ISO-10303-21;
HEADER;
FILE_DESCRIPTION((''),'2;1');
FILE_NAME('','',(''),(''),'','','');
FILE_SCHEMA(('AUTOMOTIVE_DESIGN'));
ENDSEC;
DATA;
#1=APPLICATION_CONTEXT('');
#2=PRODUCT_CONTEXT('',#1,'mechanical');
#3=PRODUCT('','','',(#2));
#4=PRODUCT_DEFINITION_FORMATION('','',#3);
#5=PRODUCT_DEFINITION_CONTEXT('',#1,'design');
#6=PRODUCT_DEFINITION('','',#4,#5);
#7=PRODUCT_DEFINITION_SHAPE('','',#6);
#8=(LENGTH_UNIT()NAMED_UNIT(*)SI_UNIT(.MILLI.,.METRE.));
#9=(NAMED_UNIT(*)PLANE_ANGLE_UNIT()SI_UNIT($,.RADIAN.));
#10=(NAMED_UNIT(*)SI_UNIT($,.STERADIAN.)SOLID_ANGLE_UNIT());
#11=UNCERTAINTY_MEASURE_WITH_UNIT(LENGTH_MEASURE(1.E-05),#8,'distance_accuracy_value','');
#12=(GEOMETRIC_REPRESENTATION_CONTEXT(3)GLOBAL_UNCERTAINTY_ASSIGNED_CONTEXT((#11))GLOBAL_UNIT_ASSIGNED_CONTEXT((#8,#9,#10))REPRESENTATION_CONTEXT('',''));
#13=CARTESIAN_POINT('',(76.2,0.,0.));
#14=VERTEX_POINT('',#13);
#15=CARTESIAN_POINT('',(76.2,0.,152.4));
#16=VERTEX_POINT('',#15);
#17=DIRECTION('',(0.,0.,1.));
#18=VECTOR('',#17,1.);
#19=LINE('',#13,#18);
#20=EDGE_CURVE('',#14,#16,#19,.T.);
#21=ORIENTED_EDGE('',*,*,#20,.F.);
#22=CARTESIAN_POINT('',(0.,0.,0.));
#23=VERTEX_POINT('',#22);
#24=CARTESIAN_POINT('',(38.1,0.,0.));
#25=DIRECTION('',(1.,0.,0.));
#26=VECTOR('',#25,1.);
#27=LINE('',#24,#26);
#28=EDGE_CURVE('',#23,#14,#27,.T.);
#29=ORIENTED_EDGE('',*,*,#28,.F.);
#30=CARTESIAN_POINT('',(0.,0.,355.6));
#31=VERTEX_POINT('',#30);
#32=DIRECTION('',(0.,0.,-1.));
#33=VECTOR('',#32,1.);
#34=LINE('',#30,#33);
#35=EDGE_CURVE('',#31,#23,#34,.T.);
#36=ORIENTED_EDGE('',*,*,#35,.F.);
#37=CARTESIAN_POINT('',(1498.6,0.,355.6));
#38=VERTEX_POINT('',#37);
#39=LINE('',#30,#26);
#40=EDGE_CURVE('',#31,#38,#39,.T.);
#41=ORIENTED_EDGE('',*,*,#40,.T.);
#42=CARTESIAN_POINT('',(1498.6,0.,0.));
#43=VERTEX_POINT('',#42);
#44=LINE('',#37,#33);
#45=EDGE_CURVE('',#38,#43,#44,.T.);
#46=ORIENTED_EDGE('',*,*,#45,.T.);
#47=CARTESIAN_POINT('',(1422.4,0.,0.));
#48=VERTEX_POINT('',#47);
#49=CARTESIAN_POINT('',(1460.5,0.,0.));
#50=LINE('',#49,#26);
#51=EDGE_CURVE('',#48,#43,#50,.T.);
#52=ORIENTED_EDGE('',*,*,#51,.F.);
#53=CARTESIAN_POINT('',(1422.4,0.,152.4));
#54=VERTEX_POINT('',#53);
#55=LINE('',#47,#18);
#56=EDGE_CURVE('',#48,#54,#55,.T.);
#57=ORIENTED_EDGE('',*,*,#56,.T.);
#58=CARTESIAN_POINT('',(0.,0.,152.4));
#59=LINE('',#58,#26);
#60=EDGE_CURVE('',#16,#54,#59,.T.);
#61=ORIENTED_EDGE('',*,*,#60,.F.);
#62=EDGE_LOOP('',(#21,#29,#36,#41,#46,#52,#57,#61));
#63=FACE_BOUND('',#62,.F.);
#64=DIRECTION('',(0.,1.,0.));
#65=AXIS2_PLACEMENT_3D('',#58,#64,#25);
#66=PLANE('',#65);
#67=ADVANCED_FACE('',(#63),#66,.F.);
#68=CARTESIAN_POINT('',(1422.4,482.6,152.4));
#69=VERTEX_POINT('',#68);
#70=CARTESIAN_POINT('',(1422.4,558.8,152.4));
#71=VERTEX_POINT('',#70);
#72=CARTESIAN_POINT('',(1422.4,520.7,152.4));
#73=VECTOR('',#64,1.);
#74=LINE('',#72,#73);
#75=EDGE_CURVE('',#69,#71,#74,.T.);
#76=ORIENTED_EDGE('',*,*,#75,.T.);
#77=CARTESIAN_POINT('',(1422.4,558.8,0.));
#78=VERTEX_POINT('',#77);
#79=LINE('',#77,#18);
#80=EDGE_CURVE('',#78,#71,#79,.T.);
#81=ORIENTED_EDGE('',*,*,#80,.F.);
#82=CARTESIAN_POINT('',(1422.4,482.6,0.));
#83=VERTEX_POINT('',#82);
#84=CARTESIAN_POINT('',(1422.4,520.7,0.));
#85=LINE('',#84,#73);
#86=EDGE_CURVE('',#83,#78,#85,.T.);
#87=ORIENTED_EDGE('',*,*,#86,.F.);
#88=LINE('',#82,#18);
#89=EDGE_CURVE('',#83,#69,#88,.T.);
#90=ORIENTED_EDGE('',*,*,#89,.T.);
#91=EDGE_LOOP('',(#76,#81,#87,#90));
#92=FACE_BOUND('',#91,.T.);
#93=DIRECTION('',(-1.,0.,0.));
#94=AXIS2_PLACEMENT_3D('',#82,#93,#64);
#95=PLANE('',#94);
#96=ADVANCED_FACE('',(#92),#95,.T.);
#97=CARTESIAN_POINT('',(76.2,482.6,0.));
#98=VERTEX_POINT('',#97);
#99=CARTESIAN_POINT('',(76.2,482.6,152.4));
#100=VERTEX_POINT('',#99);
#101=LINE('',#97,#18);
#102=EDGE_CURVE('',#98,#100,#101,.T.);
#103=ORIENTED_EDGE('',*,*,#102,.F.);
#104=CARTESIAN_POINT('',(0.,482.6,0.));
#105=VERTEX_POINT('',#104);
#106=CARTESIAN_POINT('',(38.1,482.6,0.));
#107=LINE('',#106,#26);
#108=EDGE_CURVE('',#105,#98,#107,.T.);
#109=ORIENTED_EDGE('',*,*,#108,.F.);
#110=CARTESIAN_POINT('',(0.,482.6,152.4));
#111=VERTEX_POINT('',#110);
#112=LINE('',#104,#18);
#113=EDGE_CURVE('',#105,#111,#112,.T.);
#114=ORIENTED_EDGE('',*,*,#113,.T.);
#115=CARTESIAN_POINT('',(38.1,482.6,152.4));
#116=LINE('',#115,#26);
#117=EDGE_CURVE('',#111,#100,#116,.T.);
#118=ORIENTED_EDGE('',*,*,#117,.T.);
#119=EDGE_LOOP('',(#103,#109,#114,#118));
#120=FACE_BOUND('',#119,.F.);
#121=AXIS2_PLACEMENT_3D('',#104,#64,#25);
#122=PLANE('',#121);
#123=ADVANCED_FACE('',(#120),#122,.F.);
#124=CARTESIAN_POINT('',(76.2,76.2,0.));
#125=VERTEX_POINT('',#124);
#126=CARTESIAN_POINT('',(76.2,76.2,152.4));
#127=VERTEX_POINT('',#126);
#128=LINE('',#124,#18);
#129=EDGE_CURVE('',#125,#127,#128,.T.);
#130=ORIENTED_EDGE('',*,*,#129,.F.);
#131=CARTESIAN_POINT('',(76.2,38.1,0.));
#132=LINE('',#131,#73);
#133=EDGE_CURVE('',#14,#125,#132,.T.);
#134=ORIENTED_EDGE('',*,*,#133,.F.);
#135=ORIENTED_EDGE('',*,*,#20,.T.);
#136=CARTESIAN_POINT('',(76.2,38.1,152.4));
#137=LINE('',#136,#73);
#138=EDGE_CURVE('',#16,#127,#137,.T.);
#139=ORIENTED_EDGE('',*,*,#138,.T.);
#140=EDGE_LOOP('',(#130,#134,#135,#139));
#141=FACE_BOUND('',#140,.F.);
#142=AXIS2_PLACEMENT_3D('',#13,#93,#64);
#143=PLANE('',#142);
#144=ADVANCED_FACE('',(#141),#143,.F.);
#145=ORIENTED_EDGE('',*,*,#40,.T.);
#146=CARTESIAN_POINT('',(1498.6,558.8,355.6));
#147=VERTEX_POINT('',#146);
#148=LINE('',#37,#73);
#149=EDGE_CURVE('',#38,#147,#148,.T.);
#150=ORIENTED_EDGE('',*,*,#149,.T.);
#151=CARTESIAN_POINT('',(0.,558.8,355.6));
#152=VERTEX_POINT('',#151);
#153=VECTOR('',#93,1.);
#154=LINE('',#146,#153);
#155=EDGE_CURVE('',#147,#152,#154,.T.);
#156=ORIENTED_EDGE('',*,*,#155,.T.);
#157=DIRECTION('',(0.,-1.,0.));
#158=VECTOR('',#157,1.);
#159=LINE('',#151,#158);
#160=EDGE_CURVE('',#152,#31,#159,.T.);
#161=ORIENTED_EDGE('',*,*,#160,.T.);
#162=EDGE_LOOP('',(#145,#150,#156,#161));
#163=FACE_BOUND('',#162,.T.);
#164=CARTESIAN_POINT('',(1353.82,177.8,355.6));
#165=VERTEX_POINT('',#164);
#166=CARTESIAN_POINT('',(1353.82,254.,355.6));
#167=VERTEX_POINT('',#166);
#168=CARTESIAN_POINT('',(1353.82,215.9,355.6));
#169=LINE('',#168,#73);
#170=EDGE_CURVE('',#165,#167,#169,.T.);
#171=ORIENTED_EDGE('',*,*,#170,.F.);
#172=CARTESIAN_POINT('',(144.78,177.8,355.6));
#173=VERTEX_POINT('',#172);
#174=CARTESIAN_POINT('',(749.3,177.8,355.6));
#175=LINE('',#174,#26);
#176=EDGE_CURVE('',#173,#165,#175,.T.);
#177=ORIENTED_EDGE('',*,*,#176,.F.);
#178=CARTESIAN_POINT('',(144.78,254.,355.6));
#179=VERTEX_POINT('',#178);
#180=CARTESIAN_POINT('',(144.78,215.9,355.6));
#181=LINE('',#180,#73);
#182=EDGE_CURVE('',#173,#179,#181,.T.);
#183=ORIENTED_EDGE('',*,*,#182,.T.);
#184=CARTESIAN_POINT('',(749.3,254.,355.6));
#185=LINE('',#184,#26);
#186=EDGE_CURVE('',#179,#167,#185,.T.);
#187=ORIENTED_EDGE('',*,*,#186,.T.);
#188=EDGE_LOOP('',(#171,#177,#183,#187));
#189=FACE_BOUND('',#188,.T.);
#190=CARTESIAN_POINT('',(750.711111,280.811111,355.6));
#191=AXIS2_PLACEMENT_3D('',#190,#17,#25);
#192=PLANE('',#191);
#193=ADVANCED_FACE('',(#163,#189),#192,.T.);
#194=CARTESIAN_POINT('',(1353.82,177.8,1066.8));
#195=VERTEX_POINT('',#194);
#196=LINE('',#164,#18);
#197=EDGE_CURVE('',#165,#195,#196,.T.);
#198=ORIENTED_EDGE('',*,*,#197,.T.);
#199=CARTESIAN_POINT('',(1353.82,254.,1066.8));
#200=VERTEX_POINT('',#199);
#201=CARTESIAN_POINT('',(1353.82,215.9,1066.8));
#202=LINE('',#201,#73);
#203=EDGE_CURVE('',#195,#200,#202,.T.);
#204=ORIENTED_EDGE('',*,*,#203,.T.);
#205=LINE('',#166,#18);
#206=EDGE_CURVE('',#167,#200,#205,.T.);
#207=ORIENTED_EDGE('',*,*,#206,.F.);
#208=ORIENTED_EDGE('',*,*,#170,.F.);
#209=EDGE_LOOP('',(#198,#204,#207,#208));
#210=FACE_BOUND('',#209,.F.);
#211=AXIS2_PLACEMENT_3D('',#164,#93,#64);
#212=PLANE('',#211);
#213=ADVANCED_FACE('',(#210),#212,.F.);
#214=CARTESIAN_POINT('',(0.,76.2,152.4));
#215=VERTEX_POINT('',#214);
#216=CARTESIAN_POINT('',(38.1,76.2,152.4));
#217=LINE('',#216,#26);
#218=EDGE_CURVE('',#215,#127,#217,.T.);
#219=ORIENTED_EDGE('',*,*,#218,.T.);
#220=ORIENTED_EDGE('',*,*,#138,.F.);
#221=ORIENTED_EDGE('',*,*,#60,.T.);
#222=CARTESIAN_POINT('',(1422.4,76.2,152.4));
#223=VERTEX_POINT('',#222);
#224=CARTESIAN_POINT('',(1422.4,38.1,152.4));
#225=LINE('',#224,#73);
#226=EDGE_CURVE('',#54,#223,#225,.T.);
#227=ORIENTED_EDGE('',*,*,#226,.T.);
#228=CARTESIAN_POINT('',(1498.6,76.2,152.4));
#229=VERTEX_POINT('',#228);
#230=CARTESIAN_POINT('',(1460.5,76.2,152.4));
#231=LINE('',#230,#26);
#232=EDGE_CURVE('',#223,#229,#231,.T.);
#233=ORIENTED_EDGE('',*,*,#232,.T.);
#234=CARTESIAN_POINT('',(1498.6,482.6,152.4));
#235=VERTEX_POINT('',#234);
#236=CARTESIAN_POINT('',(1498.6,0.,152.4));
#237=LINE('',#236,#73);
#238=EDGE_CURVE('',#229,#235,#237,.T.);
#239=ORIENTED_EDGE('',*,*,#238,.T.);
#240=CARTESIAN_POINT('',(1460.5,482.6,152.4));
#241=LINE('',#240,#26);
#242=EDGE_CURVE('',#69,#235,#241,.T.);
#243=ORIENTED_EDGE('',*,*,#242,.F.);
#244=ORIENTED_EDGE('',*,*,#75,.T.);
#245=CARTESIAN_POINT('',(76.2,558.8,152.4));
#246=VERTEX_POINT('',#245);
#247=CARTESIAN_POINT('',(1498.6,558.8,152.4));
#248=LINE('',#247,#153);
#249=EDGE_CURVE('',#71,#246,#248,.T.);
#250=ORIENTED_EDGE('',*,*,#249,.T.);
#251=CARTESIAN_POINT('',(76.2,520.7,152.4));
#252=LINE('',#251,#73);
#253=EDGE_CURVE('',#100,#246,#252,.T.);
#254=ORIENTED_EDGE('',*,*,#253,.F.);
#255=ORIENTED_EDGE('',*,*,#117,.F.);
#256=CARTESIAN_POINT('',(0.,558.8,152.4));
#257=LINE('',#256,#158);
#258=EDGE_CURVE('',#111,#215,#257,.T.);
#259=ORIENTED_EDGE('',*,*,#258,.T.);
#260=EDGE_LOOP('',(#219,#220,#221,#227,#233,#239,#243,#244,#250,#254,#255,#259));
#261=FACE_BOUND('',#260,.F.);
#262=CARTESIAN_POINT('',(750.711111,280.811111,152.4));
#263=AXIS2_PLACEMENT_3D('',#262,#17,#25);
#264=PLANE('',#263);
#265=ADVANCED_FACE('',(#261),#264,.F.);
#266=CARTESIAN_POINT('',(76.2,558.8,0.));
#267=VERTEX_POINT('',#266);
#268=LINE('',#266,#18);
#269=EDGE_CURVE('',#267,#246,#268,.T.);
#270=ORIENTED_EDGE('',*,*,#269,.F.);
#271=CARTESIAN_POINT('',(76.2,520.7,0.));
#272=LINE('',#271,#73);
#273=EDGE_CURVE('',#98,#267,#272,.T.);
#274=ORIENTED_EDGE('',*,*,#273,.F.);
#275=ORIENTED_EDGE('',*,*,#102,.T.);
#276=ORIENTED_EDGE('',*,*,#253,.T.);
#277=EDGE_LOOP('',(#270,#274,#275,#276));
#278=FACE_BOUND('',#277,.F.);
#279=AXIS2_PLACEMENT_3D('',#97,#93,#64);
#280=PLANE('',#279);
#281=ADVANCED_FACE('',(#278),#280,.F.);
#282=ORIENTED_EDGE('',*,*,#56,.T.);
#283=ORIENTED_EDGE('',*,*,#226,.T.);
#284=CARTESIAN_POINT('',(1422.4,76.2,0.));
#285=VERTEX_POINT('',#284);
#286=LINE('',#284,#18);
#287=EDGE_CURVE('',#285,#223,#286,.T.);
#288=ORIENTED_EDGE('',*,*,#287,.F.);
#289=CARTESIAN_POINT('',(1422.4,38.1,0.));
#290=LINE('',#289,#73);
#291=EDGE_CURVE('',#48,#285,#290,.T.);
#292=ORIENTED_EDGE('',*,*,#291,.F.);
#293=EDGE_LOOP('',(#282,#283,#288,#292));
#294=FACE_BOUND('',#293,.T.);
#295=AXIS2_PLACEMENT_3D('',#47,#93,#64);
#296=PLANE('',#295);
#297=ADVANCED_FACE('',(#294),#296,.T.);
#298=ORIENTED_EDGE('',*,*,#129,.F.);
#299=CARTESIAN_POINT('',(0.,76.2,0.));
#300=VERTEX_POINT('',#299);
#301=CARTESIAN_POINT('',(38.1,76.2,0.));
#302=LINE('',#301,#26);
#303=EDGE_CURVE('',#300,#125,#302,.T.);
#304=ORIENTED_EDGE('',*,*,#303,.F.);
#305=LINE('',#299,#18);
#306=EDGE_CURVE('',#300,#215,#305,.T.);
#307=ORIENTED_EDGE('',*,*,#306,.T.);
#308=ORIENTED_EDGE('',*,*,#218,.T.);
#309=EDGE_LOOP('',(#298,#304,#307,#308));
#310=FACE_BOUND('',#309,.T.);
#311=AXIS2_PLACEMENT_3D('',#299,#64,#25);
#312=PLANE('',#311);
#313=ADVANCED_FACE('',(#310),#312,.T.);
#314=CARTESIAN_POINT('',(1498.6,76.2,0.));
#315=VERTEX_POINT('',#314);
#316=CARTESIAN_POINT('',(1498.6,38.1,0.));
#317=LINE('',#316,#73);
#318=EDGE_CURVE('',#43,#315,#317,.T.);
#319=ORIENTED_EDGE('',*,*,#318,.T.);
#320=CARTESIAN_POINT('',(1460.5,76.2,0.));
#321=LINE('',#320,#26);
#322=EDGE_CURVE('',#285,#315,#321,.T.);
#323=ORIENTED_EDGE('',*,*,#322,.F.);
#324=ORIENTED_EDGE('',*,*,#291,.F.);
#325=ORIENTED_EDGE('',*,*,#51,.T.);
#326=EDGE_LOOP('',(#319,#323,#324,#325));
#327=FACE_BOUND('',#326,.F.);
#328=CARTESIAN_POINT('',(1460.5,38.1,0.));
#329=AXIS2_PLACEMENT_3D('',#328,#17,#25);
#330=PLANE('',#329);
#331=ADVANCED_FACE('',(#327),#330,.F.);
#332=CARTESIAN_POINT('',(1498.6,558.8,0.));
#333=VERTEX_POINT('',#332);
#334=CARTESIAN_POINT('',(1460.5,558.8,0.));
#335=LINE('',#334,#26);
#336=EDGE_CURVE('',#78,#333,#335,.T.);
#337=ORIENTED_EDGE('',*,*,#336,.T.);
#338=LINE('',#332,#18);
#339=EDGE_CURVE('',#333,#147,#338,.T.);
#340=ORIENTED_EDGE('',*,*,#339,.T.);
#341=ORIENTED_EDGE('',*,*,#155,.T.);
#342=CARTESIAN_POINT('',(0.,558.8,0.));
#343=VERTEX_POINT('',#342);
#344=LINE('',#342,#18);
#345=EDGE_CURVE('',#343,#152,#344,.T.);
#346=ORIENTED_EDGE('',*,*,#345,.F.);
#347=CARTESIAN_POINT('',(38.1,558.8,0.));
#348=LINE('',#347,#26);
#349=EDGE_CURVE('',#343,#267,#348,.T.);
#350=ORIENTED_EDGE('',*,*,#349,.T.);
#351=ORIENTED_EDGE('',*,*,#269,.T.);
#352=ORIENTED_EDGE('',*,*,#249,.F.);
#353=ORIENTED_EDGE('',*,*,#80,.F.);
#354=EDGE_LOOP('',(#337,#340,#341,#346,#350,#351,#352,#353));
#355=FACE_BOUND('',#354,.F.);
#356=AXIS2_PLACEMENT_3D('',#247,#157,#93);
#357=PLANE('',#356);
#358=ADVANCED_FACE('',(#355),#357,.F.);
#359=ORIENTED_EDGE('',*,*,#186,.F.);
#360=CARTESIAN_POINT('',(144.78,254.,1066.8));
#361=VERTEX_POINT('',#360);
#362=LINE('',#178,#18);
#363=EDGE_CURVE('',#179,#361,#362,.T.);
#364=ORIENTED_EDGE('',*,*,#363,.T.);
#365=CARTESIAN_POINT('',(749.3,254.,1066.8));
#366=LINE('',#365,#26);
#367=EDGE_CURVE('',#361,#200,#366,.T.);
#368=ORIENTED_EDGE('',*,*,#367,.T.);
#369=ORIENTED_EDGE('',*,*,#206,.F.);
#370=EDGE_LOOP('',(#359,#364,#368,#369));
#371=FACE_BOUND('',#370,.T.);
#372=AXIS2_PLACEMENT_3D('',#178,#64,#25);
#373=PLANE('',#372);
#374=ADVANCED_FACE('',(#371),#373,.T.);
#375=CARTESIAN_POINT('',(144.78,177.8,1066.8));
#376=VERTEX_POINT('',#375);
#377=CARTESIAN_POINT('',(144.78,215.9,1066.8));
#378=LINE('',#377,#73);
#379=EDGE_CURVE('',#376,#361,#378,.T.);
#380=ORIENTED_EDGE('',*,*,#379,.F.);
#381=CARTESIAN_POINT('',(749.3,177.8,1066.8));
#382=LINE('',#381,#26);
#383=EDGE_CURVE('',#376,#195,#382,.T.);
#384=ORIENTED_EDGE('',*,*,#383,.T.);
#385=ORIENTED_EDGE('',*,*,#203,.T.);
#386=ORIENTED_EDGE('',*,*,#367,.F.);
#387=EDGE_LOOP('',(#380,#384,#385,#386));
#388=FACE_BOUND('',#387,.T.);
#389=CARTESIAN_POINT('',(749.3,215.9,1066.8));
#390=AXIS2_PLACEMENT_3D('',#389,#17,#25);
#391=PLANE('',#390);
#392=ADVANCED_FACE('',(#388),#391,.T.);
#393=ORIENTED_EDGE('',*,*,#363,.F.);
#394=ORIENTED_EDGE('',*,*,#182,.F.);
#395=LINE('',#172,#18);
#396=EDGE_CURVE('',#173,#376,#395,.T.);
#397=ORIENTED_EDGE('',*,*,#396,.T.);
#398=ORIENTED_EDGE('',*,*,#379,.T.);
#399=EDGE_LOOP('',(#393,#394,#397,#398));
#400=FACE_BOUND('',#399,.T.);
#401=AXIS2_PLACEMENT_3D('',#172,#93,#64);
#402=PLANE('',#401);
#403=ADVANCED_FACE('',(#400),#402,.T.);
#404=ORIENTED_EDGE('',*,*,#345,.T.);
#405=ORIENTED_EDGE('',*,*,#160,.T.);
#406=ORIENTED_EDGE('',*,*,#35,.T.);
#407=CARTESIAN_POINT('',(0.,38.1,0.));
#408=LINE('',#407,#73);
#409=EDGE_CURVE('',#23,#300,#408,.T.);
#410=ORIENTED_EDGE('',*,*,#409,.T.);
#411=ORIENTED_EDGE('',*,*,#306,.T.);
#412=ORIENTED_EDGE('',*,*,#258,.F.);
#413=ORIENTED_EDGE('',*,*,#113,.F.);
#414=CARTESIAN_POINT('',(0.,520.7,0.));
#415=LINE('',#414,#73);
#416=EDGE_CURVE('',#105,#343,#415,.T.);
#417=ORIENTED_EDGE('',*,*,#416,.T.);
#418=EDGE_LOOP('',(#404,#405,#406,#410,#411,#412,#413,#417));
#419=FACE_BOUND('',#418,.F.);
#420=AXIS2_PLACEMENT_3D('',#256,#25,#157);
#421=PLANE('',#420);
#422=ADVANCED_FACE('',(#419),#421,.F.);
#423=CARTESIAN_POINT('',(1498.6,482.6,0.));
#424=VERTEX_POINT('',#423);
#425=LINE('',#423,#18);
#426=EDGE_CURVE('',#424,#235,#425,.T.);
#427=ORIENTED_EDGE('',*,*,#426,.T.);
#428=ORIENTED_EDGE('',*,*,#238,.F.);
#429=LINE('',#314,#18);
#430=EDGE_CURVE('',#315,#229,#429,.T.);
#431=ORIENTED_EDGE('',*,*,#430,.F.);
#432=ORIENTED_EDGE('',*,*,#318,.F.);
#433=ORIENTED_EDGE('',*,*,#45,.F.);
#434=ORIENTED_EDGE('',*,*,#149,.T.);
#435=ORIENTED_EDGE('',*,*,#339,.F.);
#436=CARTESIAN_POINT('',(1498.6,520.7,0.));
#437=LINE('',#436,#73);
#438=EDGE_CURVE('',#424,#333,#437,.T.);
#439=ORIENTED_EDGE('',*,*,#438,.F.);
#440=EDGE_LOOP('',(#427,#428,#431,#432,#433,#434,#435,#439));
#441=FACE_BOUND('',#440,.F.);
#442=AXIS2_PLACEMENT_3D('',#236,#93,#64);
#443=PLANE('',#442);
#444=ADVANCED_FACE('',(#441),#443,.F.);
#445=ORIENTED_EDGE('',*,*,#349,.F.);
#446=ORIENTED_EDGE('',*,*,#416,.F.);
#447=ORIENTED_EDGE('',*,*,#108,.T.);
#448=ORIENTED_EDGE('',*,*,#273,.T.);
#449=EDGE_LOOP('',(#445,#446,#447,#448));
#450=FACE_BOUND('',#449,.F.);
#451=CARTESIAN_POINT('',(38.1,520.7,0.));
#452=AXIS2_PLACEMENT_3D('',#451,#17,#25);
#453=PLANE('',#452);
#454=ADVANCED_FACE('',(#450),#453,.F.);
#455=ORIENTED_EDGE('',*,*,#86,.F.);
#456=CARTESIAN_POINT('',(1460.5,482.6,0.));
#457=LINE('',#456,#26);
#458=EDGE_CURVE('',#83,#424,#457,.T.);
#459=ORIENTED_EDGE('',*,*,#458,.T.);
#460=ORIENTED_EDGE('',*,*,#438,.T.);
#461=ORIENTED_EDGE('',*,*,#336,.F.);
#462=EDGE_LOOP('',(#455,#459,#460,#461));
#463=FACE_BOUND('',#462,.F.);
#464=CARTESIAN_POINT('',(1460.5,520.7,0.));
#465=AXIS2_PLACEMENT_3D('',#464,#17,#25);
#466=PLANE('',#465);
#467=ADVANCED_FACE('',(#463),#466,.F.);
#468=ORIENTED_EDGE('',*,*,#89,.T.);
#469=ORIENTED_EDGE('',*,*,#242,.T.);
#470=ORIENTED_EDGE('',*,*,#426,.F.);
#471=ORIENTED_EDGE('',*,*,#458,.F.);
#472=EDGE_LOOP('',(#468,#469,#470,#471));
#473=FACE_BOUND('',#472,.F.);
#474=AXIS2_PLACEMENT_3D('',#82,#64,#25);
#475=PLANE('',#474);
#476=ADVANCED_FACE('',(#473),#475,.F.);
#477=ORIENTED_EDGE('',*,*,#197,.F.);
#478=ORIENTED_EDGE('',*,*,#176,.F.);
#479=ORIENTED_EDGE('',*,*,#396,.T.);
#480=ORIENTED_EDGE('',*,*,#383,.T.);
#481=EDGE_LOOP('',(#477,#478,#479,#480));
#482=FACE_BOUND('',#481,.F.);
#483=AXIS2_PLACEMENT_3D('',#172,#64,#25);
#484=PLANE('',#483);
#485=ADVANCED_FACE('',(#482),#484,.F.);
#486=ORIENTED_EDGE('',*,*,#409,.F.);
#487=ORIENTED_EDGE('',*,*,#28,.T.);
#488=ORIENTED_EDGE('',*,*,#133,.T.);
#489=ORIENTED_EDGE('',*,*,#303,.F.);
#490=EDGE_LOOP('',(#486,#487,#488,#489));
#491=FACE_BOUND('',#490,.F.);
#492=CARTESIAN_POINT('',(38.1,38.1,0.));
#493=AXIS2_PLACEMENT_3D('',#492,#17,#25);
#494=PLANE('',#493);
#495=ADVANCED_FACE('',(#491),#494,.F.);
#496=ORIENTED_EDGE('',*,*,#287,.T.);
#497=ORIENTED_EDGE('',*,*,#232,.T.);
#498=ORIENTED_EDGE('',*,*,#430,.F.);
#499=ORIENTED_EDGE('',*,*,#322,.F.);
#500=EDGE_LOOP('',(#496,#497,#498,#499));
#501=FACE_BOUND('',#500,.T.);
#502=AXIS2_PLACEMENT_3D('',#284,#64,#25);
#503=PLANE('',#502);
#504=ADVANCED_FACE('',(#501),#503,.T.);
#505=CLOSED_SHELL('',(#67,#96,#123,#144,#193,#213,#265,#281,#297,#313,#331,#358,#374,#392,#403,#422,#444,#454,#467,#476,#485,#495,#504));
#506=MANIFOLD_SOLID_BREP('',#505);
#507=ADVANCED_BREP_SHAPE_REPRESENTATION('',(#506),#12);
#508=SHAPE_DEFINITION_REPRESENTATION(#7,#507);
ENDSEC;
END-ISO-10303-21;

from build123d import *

# Parameters (mm, degrees)
F0_W     = 76.2
F0_H     = 76.2
F1_DEPTH = 152.4
F2_DEPTH = 152.4
F3_W     = 76.2
F3_H     = 76.2
F4_DEPTH = 203.2
F5_W     = 1209.04
F5_H     = 76.2
F6_DEPTH = 711.2


with BuildPart() as f1:
    # F0 (on Top) → F1 (new body)
    with BuildSketch(Plane.XY):
        with Locations((38.1, 38.1)):
            Rectangle(F0_W, F0_H)
    extrude(amount=F1_DEPTH)



with BuildPart() as f2:
    # F0 (on Top) → F2 (new body)
    with BuildSketch(Plane.XY):
        with Locations((38.1, 520.7)):
            Rectangle(F0_W, F0_H)
    extrude(amount=F2_DEPTH)


with BuildPart() as f2b:
    # F0 (on Top) → F2, piece 2 (new body)
    with BuildSketch(Plane.XY):
        with Locations((1460.5, 520.7)):
            Rectangle(F0_W, F0_H)
    extrude(amount=F2_DEPTH)


with BuildPart() as f2c:
    # F0 (on Top) → F2, piece 3 (new body)
    with BuildSketch(Plane.XY):
        with Locations((1460.5, 38.1)):
            Rectangle(F0_W, F0_H)
    extrude(amount=F2_DEPTH)


with BuildPart() as f1_1:
    add(f1.part)

    add(f2.part)  # F4 merges F2

    add(f2b.part)  # F4 merges F2b

    add(f2c.part)  # F4 merges F2c
    # F3 (on face) → F4 (join)
    with BuildSketch(Plane.XY.offset(152.4)):
        Polygon((76.2, 76.2), (76.2, 0), (1498.6, 0), (1498.6, 558.8), (0, 558.8), (0, 76.2), align=None)
        with Locations((38.1, 38.1)):
            Rectangle(F3_W, F3_H)
    extrude(amount=F4_DEPTH)

    # F5 (on face) → F6 (join)
    with BuildSketch(Plane.XY.offset(355.6)):
        with Locations((749.3, 215.9)):
            Rectangle(F5_W, F5_H)
    extrude(amount=F6_DEPTH)


solid = f1_1.part
